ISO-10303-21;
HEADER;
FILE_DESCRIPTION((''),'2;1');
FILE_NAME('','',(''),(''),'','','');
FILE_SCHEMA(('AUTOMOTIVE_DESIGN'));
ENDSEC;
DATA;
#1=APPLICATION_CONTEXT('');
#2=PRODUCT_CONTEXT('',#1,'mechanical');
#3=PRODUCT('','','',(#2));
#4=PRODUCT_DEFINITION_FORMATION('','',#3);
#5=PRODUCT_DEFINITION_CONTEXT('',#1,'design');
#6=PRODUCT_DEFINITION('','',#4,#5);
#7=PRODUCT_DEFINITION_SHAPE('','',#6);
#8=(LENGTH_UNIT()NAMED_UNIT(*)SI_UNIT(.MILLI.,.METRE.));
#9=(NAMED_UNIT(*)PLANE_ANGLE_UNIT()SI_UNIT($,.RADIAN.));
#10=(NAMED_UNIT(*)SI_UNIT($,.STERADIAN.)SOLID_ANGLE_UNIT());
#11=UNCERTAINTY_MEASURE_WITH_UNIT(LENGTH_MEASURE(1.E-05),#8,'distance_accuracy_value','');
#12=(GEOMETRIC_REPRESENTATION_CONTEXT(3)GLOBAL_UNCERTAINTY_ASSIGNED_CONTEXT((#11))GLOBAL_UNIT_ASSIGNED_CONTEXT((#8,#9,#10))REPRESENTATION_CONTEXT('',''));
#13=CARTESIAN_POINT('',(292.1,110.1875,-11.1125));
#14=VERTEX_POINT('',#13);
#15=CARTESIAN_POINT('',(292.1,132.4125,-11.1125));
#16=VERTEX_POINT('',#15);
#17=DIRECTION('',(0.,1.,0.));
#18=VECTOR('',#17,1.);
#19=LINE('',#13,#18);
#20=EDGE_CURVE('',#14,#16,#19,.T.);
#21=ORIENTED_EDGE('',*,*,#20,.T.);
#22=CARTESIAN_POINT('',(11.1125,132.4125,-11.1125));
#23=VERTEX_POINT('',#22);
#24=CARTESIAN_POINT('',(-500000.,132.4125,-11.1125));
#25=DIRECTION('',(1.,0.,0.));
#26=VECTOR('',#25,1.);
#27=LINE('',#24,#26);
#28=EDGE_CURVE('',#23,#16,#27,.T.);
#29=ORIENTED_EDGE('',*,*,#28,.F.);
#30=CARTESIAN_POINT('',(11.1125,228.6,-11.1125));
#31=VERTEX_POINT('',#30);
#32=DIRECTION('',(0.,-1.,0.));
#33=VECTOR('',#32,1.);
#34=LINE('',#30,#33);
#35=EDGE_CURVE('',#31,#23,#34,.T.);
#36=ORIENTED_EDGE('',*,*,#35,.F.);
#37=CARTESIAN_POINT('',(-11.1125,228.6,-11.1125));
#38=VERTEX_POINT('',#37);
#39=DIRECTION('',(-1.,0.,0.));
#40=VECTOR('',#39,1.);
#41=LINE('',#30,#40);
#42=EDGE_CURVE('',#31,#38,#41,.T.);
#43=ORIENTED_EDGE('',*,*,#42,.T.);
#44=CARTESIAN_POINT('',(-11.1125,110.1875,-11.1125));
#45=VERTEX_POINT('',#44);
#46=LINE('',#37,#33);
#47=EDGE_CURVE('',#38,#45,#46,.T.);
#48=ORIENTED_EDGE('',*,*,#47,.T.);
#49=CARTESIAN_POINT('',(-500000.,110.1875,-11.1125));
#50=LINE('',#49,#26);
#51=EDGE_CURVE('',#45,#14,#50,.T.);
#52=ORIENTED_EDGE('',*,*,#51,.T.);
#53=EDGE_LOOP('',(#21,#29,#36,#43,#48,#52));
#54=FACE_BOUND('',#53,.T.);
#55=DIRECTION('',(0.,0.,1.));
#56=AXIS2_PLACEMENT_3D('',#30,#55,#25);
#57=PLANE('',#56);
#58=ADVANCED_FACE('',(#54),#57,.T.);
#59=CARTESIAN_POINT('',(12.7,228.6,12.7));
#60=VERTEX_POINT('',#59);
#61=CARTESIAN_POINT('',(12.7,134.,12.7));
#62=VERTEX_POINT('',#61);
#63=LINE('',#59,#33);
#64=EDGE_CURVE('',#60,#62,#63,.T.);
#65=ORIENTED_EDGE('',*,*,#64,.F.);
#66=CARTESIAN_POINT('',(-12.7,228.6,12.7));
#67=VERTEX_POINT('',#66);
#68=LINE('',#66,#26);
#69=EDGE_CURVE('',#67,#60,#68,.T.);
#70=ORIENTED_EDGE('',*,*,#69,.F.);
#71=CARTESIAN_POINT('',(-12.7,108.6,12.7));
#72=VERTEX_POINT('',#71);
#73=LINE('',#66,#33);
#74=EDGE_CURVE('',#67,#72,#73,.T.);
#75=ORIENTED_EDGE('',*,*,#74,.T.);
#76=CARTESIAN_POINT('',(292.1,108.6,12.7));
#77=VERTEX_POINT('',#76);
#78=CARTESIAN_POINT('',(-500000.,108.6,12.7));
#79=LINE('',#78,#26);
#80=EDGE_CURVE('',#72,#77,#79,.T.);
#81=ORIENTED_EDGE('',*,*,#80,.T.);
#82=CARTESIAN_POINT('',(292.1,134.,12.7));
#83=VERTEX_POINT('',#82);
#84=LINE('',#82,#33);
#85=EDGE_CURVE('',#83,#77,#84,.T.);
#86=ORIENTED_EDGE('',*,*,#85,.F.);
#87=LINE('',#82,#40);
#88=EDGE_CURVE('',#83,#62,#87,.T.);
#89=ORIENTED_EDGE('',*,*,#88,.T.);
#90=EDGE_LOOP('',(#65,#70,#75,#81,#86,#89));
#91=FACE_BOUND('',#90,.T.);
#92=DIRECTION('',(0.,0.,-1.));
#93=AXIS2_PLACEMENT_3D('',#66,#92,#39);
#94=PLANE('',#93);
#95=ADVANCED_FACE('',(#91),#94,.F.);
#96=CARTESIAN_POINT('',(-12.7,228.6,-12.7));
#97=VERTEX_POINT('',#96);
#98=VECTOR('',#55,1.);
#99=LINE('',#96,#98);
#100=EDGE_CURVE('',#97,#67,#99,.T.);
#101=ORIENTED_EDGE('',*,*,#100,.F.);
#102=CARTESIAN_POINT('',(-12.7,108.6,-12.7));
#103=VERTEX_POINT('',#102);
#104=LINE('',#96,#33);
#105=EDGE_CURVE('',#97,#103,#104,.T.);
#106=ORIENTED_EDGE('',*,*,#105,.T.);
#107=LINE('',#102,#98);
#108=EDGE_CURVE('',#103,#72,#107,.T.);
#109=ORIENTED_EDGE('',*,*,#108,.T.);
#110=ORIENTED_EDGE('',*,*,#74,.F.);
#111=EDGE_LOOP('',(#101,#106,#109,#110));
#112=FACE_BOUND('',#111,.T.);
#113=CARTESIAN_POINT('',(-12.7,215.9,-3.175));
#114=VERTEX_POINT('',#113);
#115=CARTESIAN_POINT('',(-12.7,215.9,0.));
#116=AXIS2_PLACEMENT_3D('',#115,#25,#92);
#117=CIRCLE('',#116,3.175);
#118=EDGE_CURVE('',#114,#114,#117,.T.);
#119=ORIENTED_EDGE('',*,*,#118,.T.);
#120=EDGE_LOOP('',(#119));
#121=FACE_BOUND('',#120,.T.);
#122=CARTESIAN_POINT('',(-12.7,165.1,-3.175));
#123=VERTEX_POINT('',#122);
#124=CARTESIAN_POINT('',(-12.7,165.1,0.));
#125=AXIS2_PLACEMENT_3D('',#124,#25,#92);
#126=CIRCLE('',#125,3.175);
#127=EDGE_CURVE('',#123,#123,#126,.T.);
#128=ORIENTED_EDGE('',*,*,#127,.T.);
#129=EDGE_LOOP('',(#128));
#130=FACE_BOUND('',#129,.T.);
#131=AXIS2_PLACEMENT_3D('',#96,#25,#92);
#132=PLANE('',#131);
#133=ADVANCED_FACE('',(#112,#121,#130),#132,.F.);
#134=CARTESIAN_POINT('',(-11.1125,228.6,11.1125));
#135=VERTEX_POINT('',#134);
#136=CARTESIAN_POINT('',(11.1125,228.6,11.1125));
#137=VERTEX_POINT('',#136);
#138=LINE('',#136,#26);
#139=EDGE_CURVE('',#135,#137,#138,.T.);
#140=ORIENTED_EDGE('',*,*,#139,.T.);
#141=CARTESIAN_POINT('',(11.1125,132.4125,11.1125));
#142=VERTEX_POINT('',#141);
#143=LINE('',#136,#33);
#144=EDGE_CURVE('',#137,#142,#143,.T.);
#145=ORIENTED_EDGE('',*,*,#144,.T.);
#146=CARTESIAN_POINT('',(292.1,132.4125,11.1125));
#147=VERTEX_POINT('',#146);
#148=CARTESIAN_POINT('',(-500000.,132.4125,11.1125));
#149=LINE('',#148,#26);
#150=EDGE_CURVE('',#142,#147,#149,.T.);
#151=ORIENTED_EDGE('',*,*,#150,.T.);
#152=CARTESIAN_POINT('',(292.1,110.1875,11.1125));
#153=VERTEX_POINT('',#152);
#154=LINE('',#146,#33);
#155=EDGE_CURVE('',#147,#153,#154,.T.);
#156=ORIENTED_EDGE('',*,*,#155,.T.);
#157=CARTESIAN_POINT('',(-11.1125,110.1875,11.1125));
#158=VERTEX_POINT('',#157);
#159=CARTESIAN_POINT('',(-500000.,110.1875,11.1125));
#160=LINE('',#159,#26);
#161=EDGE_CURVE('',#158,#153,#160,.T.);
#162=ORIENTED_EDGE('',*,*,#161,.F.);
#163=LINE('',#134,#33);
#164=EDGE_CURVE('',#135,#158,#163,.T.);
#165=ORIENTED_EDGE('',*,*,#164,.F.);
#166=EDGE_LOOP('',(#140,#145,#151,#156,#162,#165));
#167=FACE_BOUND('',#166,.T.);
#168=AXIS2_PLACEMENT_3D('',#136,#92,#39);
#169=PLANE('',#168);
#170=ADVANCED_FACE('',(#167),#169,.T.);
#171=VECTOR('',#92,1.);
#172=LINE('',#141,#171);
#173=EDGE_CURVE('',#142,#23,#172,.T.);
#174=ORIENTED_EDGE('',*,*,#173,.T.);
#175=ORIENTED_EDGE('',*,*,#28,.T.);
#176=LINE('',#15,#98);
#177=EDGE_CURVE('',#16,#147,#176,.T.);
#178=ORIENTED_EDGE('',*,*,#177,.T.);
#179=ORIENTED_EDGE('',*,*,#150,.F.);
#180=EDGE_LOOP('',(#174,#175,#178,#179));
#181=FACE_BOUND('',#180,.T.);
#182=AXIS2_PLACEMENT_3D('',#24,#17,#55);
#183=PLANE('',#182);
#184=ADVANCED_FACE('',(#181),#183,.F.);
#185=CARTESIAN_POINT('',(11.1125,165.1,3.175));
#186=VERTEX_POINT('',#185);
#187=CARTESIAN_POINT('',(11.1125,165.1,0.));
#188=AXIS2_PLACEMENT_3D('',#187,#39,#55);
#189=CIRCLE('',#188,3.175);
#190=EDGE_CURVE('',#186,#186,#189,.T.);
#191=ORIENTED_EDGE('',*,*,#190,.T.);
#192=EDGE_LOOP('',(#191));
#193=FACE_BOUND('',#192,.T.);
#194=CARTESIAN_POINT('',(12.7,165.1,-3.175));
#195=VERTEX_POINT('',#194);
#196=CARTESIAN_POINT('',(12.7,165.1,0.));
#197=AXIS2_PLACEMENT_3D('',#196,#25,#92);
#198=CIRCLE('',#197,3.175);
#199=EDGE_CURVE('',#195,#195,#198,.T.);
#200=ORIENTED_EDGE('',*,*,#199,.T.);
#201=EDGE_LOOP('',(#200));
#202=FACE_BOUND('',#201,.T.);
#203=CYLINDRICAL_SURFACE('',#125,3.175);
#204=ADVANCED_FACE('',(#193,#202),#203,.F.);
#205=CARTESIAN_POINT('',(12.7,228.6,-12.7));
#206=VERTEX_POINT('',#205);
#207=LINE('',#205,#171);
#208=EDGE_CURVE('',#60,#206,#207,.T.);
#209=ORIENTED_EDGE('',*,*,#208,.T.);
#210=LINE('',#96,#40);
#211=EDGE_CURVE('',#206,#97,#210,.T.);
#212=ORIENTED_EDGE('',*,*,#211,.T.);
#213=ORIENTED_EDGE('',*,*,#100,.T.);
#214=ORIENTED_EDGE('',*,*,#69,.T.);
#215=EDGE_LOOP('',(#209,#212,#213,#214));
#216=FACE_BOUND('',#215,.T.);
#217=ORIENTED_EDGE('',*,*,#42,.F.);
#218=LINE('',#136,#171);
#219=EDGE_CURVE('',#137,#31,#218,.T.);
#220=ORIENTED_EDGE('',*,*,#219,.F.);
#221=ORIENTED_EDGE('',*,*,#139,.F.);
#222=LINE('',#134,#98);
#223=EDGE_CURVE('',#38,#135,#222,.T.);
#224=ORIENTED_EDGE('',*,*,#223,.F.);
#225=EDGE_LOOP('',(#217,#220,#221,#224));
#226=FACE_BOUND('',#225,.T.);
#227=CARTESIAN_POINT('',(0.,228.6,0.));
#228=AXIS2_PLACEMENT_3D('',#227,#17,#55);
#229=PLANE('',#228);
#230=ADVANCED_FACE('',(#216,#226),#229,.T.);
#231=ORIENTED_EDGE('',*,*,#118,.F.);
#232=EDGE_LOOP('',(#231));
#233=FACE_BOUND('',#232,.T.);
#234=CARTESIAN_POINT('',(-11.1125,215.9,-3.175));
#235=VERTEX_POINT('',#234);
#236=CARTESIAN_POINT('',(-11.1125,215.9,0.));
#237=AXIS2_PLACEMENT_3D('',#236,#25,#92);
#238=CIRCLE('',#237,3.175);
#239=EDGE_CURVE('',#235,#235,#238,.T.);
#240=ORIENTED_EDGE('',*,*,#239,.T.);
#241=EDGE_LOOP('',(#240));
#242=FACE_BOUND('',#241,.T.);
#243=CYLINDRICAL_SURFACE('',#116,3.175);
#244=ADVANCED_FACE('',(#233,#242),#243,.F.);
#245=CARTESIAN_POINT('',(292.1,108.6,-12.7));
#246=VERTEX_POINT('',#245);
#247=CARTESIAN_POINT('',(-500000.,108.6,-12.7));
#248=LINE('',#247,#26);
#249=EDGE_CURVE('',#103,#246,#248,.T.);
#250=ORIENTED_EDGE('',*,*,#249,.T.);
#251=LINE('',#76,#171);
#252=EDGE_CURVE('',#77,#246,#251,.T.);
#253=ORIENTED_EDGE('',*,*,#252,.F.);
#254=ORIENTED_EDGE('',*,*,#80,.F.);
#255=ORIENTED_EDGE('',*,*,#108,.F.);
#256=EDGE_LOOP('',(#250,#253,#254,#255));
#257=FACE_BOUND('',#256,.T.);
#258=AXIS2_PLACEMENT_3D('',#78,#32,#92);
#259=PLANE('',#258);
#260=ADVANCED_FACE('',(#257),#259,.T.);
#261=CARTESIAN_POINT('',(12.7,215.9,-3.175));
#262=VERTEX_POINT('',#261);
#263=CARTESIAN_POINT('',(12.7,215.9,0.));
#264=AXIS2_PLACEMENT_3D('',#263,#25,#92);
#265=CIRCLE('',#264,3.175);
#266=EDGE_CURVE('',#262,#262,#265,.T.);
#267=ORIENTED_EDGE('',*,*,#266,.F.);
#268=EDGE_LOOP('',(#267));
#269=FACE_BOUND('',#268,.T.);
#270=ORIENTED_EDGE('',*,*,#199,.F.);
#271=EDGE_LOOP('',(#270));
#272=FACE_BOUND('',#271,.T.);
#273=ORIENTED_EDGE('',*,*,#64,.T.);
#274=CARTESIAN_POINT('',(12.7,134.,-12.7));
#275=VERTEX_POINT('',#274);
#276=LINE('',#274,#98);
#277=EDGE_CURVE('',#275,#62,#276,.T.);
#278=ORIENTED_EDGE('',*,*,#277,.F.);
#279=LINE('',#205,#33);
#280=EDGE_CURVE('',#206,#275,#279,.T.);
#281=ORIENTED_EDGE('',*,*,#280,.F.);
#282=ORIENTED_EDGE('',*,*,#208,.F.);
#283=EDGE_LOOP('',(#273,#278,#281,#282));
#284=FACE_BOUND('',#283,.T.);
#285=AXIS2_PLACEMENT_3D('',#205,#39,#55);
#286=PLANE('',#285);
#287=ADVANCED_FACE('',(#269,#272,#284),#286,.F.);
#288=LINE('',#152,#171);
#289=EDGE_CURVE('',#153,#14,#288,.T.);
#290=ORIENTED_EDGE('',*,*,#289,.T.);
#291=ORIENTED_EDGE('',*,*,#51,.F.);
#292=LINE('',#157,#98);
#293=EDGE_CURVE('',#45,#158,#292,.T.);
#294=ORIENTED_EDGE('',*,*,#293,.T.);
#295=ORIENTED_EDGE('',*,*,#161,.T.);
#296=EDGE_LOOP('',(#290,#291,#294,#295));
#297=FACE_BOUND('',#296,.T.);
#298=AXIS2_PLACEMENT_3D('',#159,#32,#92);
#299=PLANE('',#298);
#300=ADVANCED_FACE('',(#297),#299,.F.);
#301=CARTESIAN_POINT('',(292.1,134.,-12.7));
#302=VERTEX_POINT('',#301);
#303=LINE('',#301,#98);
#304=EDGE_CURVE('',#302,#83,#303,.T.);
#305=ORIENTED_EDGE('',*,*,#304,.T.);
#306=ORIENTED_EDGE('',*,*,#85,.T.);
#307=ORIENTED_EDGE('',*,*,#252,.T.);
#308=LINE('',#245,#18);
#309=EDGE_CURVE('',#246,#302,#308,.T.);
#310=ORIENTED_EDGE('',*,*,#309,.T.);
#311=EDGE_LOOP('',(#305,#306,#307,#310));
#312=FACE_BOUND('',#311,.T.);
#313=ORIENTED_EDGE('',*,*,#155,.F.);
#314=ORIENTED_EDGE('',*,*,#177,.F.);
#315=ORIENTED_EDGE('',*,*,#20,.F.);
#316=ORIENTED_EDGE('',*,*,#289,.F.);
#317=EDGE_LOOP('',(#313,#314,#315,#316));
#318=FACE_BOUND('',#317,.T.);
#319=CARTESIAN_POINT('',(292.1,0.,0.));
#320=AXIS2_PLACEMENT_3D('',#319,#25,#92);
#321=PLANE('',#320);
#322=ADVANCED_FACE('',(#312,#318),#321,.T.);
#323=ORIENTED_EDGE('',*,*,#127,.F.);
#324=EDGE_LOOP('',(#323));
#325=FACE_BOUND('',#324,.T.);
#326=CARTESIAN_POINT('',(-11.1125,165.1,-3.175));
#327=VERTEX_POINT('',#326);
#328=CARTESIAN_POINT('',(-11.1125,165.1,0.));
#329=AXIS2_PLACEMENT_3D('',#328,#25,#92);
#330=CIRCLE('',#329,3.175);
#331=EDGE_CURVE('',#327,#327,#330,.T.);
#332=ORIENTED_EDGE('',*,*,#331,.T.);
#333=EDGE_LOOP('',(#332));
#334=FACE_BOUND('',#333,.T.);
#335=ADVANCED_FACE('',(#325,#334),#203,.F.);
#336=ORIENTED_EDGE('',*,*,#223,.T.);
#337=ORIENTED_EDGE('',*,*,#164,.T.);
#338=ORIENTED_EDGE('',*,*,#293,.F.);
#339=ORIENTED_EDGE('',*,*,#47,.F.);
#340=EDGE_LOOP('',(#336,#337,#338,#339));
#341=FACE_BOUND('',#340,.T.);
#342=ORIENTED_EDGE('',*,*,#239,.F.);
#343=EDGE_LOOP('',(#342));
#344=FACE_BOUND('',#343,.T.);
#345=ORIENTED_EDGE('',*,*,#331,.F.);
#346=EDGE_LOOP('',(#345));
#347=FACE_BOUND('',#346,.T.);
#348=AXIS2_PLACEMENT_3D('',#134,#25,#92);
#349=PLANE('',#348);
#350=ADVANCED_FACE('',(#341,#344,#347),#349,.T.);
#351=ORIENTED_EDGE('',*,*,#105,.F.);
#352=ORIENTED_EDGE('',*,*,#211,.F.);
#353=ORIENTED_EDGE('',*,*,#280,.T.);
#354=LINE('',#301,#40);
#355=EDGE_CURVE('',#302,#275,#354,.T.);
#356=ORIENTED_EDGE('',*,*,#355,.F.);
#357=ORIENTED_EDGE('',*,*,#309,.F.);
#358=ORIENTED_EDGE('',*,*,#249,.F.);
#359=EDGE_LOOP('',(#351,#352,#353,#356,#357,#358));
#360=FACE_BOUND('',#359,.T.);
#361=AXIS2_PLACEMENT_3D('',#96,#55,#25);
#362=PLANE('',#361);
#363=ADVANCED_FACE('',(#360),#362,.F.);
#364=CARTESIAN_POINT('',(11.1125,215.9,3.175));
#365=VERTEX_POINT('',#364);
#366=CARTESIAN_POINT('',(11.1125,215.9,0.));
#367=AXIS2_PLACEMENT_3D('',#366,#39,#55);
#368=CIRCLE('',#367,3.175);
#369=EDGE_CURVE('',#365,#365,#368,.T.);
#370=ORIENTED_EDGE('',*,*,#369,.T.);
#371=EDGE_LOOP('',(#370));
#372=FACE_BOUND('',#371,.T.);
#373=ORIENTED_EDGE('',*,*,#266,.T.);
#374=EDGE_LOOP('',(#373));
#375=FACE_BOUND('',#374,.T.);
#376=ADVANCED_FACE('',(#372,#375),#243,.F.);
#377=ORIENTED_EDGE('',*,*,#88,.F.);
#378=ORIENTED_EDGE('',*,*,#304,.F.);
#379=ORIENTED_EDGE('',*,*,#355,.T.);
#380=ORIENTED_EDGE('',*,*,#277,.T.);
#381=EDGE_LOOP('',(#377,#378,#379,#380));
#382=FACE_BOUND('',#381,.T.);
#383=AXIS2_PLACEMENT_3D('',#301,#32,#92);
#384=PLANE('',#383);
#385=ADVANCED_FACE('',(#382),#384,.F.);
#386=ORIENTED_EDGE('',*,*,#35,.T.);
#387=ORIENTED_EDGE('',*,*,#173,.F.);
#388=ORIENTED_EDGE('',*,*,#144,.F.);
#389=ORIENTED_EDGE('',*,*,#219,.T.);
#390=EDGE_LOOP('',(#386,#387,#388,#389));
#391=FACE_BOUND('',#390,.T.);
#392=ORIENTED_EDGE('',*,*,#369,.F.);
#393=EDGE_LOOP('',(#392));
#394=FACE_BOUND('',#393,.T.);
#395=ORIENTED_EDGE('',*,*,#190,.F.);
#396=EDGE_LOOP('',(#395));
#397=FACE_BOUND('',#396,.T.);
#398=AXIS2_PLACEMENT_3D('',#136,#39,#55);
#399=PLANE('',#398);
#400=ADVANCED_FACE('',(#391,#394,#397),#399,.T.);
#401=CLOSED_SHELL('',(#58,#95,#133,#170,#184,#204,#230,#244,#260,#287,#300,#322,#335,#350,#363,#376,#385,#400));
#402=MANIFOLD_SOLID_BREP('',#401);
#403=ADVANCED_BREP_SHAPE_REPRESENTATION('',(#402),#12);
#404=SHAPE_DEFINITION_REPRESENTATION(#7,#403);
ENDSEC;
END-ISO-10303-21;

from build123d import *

# Parameters (mm, degrees)
SKETCH1_W                       = 25.4
SKETCH1_H                       = 25.4
SKETCH1_W_2                     = 22.225
SKETCH1_H_2                     = 22.225
BOSS_EXTRUDE1_DEPTH             = 228.6
SKETCH2_R                       = 3.175
CUT_EXTRUDE1_DEPTH              = 231.35713577
SKETCH3_R                       = 3.175
CUT_EXTRUDE2_DEPTH              = 231.35713577
CUT_EXTRUDE3_DEPTH              = 231.35713577
SKETCH6_W                       = 25.4
SKETCH6_H                       = 25.4
SKETCH6_W_2                     = 22.225
SKETCH6_H_2                     = 22.225
BOSS_EXTRUDE3_DEPTH             = 279.4
BOSS_EXTRUDE3_DIRECTION_2_REACH = 232.357


with BuildPart() as part:
    # Sketch1 → Boss-Extrude1 (new body)
    with BuildSketch(Plane(origin=(0, 0, 0), x_dir=(1, 0, 0), z_dir=(0, 1, 0))):
        Rectangle(SKETCH1_W, SKETCH1_H)
        Rectangle(SKETCH1_W_2, SKETCH1_H_2, mode=Mode.SUBTRACT)
    extrude(amount=BOSS_EXTRUDE1_DEPTH)

    # Sketch2 → Cut-Extrude1 (cut, through all)
    with BuildSketch(Plane(origin=(12.7, 0, 0), x_dir=(0, 0, -1), z_dir=(1, 0, 0))):
        with Locations((0, 215.9)):
            Circle(SKETCH2_R)
        with Locations((0, 165.1)):
            Circle(SKETCH2_R)
    extrude(amount=-CUT_EXTRUDE1_DEPTH, mode=Mode.SUBTRACT)

    # Sketch3 → Cut-Extrude2 (cut, through all)
    with BuildSketch(Plane.XY.offset(12.7)):
        with Locations((0, 69.85)):
            Circle(SKETCH3_R)
        with Locations((0, 19.05)):
            Circle(SKETCH3_R)
    extrude(amount=-CUT_EXTRUDE2_DEPTH, mode=Mode.SUBTRACT)

    # Sketch4 → Cut-Extrude3 (cut, through all)
    with BuildSketch(Plane.XY.offset(12.7)):
        Polygon((-12.7, 0), (-12.7, 108.6), (12.7, 134), (12.7, 0), align=None)
    extrude(amount=-CUT_EXTRUDE3_DEPTH, mode=Mode.SUBTRACT)

    # Sketch6 → Boss-Extrude3 (add)
    with BuildSketch(Plane(origin=(12.7, 0, 0), x_dir=(0, 0, -1), z_dir=(1, 0, 0))):
        with Locations((0, 121.3)):
            Rectangle(SKETCH6_W, SKETCH6_H)
        with Locations((0, 121.3)):
            Rectangle(SKETCH6_W_2, SKETCH6_H_2, mode=Mode.SUBTRACT)
    extrude(amount=BOSS_EXTRUDE3_DEPTH)

    # Sketch6 → Boss-Extrude3 direction 2 (add, up to next)
    with BuildSketch(Plane(origin=(12.7, 0, 0), x_dir=(0, 0, -1), z_dir=(1, 0, 0)), mode=Mode.PRIVATE) as boss_extrude3_direction_2_sk1:
        with Locations((0, 121.3)):
            Rectangle(SKETCH6_W, SKETCH6_H)
        with Locations((0, 121.3)):
            Rectangle(SKETCH6_W_2, SKETCH6_H_2, mode=Mode.SUBTRACT)
    boss_extrude3_direction_2_tool1 = extrude(boss_extrude3_direction_2_sk1.sketch, amount=-BOSS_EXTRUDE3_DIRECTION_2_REACH, mode=Mode.PRIVATE) - part.part
    add(boss_extrude3_direction_2_tool1.solids().sort_by_distance((12.7, 121.3, 12.34079))[0])


solid = part.part
